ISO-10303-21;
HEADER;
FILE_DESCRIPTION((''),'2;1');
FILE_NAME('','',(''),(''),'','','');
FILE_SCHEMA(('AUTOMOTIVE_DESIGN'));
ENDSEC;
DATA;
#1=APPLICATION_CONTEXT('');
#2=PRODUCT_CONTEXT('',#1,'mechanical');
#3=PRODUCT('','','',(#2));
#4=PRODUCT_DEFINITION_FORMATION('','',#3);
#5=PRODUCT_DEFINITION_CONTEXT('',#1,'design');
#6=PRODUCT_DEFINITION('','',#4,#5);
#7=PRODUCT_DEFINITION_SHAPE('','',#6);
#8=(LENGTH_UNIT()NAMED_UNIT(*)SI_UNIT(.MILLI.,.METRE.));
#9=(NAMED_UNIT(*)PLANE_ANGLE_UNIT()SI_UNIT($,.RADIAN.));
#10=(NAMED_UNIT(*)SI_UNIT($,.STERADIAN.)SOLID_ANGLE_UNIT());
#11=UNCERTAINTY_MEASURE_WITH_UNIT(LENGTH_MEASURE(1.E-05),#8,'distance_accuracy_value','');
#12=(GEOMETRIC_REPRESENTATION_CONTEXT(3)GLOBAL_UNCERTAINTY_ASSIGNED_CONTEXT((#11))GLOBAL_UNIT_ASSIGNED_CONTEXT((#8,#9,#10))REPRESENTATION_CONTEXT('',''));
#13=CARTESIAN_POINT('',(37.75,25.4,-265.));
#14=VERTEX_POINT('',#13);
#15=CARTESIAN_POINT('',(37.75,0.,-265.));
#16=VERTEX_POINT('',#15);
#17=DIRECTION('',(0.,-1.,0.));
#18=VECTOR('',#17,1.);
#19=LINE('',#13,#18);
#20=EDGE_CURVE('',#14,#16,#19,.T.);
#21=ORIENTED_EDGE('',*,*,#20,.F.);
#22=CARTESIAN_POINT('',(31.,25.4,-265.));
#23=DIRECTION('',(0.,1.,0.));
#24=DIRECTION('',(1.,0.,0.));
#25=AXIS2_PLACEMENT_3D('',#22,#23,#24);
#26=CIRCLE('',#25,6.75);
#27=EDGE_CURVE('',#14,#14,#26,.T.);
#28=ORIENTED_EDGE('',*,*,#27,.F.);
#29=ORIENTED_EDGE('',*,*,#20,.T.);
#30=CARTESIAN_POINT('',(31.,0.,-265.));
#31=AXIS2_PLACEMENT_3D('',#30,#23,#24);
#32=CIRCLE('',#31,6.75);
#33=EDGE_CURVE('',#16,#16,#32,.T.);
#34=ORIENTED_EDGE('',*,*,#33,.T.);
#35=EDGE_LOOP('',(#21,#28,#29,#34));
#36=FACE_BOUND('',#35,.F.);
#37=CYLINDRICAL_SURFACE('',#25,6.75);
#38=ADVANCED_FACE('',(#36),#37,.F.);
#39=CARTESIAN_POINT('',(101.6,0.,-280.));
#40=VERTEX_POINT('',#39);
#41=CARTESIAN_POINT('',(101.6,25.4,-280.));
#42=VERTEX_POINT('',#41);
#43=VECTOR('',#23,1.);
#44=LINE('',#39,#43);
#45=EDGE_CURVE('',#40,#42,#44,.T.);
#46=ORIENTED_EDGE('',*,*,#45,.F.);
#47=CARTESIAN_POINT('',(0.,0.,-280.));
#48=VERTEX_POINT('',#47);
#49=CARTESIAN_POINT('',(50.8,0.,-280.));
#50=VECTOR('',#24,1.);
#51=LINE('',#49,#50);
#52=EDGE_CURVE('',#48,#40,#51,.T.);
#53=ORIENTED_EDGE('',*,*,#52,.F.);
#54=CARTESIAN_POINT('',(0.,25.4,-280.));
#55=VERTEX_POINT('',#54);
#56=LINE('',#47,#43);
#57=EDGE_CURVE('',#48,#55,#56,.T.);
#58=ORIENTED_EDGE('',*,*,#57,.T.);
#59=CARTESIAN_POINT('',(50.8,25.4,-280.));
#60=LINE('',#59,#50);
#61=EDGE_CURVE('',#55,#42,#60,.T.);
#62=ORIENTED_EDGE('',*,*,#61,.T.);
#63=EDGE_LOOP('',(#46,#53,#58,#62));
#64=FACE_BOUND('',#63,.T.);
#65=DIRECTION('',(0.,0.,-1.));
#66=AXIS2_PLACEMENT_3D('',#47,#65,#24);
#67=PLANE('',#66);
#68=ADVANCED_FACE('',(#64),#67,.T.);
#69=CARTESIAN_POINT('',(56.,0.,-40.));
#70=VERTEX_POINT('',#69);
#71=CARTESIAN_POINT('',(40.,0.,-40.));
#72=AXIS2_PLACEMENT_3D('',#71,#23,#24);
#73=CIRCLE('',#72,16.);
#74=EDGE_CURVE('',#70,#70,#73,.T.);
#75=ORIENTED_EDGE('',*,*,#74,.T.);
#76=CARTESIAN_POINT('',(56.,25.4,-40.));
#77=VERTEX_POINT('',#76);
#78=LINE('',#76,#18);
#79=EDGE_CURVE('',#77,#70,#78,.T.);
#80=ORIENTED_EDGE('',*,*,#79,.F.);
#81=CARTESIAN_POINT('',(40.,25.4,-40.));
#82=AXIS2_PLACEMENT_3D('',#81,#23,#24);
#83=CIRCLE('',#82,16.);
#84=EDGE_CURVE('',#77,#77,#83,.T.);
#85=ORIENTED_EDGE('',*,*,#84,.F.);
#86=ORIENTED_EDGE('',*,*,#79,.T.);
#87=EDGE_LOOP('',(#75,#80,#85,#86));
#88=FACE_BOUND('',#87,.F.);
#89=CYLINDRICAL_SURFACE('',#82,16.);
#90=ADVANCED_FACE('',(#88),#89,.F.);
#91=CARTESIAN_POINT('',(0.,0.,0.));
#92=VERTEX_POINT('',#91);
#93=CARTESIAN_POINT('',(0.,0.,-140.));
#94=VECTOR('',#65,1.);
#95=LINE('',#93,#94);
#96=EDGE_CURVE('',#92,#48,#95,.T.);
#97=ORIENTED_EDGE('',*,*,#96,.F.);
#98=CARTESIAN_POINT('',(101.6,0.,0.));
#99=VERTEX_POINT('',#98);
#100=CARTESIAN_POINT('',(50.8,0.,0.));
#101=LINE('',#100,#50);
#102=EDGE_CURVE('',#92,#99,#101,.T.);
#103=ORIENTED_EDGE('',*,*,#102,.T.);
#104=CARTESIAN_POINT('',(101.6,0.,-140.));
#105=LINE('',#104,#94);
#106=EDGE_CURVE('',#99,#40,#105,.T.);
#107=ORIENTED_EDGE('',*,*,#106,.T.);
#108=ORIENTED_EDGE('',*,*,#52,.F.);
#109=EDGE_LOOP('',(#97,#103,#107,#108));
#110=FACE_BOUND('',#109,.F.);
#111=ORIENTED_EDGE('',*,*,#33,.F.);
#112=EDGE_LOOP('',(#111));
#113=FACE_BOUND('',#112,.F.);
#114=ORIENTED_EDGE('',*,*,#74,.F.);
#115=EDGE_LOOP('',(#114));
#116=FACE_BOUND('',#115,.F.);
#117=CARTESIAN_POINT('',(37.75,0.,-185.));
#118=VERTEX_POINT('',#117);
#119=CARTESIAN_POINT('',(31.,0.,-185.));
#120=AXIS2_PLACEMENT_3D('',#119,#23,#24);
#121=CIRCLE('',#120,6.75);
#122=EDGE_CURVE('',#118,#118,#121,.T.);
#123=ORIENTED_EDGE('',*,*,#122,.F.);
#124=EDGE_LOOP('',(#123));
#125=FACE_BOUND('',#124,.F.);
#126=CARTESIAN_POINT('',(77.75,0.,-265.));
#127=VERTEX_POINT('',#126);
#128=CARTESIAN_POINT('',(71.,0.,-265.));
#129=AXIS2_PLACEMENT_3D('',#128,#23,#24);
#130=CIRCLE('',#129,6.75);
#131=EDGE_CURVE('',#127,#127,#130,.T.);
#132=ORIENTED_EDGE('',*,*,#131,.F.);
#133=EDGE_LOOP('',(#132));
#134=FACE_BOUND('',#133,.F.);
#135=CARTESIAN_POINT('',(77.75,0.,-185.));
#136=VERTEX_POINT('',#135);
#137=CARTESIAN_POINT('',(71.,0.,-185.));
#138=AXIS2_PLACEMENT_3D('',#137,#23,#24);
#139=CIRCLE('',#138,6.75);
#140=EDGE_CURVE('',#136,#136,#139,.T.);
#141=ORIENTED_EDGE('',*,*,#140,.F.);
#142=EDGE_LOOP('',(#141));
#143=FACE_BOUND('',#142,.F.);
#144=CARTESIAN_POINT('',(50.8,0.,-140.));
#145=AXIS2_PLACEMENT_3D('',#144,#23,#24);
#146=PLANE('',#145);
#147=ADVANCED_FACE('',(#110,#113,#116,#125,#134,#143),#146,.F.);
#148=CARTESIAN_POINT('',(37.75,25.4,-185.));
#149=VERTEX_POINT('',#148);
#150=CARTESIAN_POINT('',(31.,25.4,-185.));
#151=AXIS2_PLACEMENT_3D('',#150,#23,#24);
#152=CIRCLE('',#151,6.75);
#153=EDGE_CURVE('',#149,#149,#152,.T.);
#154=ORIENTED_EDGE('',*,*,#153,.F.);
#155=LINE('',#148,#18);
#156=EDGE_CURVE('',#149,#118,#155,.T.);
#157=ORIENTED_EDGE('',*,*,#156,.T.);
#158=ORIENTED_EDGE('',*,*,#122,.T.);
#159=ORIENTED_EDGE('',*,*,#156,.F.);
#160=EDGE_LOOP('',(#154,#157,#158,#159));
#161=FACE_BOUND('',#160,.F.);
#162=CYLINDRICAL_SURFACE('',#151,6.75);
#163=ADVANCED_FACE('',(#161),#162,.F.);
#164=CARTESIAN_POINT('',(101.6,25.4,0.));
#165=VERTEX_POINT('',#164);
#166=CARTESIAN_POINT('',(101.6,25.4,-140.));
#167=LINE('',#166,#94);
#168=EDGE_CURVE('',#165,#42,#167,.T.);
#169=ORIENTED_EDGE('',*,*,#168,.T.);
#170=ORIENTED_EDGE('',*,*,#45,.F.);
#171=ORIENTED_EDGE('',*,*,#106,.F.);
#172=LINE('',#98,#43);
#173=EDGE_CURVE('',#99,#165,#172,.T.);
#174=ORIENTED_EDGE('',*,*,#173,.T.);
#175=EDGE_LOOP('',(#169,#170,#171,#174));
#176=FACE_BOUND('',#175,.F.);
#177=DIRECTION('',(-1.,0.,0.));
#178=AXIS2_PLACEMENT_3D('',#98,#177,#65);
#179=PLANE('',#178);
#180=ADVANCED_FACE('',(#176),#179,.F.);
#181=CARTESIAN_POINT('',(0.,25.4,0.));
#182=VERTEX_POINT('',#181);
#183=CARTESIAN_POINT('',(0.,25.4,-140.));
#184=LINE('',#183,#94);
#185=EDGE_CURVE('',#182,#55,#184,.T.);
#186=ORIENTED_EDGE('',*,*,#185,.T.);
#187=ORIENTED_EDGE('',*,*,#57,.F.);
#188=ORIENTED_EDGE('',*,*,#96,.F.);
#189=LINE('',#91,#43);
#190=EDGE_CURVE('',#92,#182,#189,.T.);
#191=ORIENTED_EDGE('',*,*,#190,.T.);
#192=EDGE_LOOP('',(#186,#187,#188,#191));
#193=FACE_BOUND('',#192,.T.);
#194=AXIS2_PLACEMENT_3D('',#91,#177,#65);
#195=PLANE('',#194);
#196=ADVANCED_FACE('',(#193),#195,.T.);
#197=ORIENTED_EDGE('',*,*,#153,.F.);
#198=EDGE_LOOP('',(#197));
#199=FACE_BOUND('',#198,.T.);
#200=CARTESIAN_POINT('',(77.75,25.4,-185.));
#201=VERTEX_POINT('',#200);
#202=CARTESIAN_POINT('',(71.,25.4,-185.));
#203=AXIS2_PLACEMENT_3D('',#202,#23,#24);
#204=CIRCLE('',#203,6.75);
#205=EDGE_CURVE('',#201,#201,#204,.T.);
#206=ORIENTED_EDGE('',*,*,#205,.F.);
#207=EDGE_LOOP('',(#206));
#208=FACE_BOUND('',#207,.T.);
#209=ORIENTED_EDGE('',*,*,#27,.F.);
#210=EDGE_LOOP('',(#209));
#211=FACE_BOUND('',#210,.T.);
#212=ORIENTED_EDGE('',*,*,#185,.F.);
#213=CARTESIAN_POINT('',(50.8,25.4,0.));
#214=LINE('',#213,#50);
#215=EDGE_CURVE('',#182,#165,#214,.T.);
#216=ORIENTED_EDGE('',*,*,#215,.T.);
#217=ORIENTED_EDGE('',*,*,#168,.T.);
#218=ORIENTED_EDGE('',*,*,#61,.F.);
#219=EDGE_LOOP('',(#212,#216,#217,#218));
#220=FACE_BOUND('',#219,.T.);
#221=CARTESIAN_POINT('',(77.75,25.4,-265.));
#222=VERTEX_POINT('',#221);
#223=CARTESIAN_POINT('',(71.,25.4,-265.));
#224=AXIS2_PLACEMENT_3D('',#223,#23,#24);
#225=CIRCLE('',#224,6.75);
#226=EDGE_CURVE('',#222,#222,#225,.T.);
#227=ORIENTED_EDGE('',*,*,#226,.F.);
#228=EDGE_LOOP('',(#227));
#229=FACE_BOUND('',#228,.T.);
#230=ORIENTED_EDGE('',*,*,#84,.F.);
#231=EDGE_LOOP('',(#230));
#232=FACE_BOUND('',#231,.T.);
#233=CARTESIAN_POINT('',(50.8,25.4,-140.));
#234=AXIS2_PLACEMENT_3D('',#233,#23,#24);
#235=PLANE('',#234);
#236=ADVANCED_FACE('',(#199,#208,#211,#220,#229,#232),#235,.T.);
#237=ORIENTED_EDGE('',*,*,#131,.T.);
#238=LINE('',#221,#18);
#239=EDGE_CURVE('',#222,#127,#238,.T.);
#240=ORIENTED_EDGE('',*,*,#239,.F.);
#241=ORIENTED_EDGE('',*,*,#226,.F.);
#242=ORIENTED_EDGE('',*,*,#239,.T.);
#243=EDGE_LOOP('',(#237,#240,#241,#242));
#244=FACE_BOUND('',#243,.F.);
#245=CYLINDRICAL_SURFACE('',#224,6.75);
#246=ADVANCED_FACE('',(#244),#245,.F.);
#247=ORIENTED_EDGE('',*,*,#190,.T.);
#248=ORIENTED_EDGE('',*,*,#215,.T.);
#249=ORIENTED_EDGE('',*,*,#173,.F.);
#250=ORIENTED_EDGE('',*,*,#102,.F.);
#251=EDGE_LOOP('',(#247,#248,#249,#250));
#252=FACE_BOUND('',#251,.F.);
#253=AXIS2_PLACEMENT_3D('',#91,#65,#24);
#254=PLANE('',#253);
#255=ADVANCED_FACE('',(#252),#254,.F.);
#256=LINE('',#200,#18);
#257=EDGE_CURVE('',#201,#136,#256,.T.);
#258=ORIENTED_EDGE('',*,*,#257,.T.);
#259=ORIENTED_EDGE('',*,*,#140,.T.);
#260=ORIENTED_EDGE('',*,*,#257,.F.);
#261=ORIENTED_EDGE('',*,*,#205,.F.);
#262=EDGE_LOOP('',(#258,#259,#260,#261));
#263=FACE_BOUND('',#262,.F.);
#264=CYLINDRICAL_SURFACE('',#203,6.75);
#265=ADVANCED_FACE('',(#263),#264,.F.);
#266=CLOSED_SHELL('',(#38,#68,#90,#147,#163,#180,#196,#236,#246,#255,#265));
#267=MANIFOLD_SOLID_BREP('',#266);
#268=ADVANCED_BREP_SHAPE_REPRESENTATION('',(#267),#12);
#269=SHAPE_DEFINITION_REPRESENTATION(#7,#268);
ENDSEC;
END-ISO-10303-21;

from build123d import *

# Parameters (mm, degrees)
SKETCH2_W           = 101.6
SKETCH2_H           = 280
BOSS_EXTRUDE1_DEPTH = 25.4
SKETCH3_R           = 6.75
CUT_EXTRUDE1_DEPTH  = 25.4
SKETCH4_R           = 16
CUT_EXTRUDE2_DEPTH  = 25.4


with BuildPart() as part:
    # Sketch2 → Boss-Extrude1 (new body)
    with BuildSketch(Plane(origin=(0, 0, 0), x_dir=(1, 0, 0), z_dir=(0, 1, 0))):
        with Locations((50.8, 140)):
            Rectangle(SKETCH2_W, SKETCH2_H)
    extrude(amount=BOSS_EXTRUDE1_DEPTH)

    # Sketch3 → Cut-Extrude1 (cut)
    with BuildSketch(Plane(origin=(0, 25.4, 0), x_dir=(1, 0, 0), z_dir=(0, 1, 0))):
        with Locations((71, 265)):
            Circle(SKETCH3_R)
        with Locations((31, 265)):
            Circle(SKETCH3_R)
        with Locations((31, 185)):
            Circle(SKETCH3_R)
        with Locations((71, 185)):
            Circle(SKETCH3_R)
    extrude(amount=-CUT_EXTRUDE1_DEPTH, mode=Mode.SUBTRACT)

    # Sketch4 → Cut-Extrude2 (cut)
    with BuildSketch(Plane(origin=(0, 25.4, 0), x_dir=(1, 0, 0), z_dir=(0, 1, 0))):
        with Locations((40, 40)):
            Circle(SKETCH4_R)
    extrude(amount=-CUT_EXTRUDE2_DEPTH, mode=Mode.SUBTRACT)


solid = part.part
